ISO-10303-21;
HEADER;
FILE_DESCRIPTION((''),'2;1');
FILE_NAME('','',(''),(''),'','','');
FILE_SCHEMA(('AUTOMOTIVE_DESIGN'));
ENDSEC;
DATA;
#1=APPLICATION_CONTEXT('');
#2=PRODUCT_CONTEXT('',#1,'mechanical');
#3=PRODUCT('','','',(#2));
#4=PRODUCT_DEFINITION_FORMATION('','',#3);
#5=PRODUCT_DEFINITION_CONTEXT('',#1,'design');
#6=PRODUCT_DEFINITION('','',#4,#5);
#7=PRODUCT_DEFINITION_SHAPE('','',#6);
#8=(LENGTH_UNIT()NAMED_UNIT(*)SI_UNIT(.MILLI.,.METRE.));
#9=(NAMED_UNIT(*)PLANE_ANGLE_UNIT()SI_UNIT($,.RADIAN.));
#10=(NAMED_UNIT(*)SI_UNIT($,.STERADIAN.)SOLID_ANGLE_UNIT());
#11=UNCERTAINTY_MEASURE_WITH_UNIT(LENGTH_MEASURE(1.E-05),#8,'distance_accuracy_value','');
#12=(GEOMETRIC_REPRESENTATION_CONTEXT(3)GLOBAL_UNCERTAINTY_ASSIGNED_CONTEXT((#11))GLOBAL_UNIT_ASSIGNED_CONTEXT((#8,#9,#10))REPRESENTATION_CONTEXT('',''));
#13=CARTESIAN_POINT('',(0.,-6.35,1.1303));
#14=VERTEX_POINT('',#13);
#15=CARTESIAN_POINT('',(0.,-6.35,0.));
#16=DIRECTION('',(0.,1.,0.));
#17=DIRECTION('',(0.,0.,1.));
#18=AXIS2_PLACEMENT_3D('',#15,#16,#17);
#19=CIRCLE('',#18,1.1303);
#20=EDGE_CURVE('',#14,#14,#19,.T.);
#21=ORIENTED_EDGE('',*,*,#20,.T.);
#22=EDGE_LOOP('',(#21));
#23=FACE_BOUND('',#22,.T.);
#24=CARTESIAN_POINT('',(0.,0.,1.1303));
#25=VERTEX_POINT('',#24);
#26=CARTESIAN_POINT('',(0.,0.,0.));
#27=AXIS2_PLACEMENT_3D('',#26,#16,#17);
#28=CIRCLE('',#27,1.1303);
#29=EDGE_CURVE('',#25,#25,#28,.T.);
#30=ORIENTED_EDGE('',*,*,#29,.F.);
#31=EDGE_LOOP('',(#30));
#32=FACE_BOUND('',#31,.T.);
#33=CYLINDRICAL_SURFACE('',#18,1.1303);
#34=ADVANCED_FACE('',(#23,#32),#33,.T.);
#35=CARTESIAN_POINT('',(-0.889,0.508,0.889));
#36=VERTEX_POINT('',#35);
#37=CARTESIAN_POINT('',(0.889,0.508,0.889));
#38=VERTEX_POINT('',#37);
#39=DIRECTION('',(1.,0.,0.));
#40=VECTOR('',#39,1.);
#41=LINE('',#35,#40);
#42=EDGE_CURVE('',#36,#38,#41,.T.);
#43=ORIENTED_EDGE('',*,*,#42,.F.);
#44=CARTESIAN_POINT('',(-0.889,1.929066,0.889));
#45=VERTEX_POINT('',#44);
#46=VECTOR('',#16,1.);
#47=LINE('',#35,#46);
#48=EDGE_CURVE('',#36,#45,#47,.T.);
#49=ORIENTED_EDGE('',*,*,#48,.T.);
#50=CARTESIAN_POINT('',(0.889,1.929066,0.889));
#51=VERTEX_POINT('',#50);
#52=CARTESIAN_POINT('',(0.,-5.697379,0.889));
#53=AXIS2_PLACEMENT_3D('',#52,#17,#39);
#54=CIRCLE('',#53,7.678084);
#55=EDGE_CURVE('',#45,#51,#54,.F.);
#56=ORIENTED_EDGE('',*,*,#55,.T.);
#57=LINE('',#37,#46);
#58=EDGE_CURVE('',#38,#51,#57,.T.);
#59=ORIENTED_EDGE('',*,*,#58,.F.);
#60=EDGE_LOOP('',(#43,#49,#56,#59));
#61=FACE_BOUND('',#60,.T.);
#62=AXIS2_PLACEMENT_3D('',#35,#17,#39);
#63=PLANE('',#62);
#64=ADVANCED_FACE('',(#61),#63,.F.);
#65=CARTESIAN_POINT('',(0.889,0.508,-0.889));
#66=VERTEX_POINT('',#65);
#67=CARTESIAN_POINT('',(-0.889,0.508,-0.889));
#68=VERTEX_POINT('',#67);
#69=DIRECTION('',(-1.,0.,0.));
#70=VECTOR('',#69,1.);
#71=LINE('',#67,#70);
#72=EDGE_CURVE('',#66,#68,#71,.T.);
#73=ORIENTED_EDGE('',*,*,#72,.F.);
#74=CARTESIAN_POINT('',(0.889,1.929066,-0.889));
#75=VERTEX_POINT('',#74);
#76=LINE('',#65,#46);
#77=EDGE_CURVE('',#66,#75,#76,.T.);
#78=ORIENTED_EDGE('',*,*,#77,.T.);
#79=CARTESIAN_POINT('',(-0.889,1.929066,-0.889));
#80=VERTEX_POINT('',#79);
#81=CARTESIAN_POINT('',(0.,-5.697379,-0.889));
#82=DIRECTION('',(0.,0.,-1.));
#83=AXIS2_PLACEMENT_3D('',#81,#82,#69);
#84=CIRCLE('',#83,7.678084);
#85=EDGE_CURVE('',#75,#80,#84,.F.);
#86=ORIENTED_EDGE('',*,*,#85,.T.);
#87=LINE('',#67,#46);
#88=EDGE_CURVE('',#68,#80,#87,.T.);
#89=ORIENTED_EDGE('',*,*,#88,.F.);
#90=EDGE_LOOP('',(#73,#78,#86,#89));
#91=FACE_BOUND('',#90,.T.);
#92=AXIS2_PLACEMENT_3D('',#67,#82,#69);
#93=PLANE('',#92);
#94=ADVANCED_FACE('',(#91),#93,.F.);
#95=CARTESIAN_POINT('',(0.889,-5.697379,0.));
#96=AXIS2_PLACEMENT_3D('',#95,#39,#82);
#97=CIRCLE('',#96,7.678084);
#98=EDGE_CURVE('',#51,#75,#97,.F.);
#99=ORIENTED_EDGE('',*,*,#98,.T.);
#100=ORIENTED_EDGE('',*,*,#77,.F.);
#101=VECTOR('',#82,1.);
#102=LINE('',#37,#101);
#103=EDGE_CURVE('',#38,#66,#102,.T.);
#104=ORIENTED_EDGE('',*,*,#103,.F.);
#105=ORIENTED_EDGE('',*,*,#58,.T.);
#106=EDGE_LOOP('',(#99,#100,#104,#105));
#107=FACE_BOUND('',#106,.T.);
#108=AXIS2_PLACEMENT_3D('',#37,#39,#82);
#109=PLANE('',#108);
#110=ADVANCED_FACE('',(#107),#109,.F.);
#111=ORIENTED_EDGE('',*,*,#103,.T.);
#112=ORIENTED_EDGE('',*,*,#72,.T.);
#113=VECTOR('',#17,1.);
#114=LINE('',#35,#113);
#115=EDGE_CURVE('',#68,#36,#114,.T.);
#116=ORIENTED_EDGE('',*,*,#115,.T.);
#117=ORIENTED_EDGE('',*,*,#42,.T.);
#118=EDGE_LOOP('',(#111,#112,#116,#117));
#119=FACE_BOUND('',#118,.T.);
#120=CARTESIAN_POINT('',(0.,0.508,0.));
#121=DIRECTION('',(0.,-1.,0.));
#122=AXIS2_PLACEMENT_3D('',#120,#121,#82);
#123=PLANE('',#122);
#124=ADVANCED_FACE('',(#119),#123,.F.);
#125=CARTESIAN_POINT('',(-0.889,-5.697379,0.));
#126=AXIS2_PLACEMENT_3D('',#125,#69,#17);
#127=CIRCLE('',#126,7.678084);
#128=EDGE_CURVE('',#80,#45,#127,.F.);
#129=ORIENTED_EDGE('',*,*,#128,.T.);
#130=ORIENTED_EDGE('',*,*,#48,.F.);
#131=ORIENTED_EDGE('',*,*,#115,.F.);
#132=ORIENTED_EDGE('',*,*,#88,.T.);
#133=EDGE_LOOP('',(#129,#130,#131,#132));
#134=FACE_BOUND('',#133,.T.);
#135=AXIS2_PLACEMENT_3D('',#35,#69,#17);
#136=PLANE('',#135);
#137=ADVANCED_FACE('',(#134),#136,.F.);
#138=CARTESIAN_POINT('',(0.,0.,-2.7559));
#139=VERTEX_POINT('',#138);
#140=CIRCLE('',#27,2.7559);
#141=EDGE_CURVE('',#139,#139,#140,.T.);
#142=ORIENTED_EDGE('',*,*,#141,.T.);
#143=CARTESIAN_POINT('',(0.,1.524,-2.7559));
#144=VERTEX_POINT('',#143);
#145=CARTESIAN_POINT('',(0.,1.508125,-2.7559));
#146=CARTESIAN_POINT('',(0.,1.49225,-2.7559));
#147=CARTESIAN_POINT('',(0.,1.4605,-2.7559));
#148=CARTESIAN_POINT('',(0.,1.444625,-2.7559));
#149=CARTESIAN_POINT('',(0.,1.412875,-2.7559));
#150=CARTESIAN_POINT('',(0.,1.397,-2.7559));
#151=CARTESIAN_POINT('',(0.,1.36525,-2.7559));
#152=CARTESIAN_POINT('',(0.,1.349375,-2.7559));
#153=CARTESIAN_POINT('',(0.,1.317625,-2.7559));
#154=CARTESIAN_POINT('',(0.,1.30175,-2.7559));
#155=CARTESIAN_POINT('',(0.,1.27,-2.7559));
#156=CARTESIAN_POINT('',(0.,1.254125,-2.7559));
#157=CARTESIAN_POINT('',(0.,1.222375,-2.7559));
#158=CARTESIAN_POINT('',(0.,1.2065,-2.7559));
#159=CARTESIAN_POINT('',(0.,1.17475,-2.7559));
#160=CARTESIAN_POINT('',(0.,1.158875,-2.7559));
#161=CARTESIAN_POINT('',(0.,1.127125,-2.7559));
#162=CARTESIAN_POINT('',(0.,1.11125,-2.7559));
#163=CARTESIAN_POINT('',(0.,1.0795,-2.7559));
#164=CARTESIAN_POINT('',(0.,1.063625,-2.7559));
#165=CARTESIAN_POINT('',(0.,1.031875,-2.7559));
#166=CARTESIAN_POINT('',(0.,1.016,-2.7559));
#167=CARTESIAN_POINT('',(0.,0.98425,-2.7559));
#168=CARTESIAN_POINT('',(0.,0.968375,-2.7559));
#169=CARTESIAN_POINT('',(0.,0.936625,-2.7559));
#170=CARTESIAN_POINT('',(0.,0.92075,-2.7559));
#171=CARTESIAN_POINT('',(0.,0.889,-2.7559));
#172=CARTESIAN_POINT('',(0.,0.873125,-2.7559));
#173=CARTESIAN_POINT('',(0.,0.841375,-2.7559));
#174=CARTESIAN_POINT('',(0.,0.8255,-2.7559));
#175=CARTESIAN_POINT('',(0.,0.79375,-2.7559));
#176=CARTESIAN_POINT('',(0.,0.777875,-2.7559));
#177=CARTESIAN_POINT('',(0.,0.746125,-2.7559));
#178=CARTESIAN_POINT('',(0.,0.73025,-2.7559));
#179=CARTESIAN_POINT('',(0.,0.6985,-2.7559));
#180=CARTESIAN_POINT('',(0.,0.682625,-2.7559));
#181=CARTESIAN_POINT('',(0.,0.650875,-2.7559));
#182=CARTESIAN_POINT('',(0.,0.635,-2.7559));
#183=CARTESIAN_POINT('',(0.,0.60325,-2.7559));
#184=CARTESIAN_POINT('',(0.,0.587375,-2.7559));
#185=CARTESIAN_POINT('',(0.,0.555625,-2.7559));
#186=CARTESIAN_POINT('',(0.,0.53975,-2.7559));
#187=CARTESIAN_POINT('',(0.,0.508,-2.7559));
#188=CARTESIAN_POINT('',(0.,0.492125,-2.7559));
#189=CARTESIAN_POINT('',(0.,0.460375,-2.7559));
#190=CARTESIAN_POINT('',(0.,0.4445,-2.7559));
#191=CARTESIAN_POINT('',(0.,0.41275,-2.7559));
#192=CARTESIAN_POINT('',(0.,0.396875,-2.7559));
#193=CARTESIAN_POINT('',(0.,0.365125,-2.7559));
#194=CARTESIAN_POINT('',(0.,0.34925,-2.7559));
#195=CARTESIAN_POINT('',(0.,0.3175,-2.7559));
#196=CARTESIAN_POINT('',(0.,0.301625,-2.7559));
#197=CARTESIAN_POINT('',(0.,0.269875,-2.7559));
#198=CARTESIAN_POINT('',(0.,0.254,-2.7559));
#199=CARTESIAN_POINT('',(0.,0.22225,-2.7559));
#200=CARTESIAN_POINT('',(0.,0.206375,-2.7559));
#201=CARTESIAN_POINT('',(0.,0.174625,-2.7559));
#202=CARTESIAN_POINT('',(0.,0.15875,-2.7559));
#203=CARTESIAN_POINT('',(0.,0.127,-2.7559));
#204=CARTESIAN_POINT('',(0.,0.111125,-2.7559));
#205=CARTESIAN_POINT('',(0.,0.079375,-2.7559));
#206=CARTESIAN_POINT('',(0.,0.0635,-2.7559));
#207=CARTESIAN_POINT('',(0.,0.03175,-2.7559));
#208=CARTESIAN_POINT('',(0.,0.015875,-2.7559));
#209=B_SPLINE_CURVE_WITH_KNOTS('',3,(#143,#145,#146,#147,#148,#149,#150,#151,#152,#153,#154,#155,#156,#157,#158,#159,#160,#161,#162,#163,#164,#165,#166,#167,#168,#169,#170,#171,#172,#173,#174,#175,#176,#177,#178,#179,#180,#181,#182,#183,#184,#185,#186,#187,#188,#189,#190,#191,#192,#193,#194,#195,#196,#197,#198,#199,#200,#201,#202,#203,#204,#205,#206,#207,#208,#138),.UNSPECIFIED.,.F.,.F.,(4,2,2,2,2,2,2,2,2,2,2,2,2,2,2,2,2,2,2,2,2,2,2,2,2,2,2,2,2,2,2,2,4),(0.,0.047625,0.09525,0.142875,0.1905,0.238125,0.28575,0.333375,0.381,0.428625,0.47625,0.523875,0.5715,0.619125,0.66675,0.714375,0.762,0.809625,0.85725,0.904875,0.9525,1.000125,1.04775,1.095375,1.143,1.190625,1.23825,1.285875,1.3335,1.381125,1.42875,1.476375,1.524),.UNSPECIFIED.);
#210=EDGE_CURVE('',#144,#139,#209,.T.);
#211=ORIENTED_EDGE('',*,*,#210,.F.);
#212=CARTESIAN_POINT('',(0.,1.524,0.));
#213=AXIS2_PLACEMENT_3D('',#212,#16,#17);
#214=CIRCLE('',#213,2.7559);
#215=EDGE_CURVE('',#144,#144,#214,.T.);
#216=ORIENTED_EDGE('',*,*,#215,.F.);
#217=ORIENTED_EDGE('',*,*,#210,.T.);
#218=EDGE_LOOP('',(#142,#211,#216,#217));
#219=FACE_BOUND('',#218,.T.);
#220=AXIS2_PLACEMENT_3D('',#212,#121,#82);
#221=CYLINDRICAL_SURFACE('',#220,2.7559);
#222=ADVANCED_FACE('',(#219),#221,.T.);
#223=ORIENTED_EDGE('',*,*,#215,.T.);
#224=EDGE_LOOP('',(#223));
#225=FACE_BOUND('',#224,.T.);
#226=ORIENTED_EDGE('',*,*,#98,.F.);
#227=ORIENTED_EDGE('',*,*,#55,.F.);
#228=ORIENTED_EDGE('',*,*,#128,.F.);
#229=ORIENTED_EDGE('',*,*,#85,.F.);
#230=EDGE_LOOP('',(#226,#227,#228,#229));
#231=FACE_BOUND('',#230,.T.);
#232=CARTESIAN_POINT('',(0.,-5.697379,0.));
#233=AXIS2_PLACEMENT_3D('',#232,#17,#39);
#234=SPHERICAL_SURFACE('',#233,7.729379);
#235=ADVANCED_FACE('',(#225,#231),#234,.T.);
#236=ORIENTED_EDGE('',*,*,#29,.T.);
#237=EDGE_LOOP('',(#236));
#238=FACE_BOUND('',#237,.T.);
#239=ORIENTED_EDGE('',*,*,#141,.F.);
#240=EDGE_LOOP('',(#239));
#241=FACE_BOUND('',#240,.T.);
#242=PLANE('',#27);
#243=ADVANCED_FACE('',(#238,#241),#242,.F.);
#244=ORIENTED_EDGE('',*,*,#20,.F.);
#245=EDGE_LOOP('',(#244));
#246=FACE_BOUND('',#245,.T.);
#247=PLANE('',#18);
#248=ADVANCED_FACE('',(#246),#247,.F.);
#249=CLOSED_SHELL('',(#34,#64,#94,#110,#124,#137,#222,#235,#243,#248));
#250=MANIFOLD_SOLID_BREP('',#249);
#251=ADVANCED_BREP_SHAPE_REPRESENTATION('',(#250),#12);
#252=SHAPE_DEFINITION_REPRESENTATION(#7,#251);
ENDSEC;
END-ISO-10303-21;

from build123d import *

# Parameters (mm, degrees)
SKETCH1_R            = 1.1303
THREADS_DEPTH        = 6.35
SKETCH2_R            = 2.7559
HEAD_DEPTH           = 1.524
HEADDOME_FACE_RADIUS = 2.7559
HEADDOME_HEIGHT      = 0.508
SKETCH3_W            = 1.778
SKETCH3_H            = 1.778
DRIVER_DEPTH         = 1.524


with BuildPart() as part:
    # Sketch1 → threads (new body)
    with BuildSketch(Plane(origin=(0, 0, 0), x_dir=(1, 0, 0), z_dir=(0, 1, 0))):
        with Locations(Location((0, 0, 0), (0, 0, 270))):
            Circle(SKETCH1_R)
    extrude(amount=-THREADS_DEPTH)

    # Sketch2 → Head (add)
    with BuildSketch(Plane(origin=(0, 0, 0), x_dir=(1, 0, 0), z_dir=(0, 1, 0))):
        with Locations(Location((0, 0, 0), (0, 0, 90))):
            Circle(SKETCH2_R)
    extrude(amount=HEAD_DEPTH)

    # HeadDome: a dome of height H over a round flat face of radius A is a cap of a sphere of radius (A * A + H * H) / (2 * H)
    headdome_r = (HEADDOME_FACE_RADIUS * HEADDOME_FACE_RADIUS + HEADDOME_HEIGHT * HEADDOME_HEIGHT) / (2 * HEADDOME_HEIGHT)
    headdome_base = Plane((0, 1.524, 0), z_dir=(0, 1, 0))
    with Locations(headdome_base.offset(HEADDOME_HEIGHT - headdome_r)):
        headdome_ball = Sphere(headdome_r, mode=Mode.PRIVATE)
    add(split(headdome_ball, bisect_by=headdome_base, keep=Keep.TOP, mode=Mode.PRIVATE))

    # Sketch3 → Driver (cut)
    with BuildSketch(Plane(origin=(0, 2.032, 0), x_dir=(1, 0, 0), z_dir=(0, 1, 0))):
        Rectangle(SKETCH3_W, SKETCH3_H)
    extrude(amount=-DRIVER_DEPTH, mode=Mode.SUBTRACT)


solid = part.part
